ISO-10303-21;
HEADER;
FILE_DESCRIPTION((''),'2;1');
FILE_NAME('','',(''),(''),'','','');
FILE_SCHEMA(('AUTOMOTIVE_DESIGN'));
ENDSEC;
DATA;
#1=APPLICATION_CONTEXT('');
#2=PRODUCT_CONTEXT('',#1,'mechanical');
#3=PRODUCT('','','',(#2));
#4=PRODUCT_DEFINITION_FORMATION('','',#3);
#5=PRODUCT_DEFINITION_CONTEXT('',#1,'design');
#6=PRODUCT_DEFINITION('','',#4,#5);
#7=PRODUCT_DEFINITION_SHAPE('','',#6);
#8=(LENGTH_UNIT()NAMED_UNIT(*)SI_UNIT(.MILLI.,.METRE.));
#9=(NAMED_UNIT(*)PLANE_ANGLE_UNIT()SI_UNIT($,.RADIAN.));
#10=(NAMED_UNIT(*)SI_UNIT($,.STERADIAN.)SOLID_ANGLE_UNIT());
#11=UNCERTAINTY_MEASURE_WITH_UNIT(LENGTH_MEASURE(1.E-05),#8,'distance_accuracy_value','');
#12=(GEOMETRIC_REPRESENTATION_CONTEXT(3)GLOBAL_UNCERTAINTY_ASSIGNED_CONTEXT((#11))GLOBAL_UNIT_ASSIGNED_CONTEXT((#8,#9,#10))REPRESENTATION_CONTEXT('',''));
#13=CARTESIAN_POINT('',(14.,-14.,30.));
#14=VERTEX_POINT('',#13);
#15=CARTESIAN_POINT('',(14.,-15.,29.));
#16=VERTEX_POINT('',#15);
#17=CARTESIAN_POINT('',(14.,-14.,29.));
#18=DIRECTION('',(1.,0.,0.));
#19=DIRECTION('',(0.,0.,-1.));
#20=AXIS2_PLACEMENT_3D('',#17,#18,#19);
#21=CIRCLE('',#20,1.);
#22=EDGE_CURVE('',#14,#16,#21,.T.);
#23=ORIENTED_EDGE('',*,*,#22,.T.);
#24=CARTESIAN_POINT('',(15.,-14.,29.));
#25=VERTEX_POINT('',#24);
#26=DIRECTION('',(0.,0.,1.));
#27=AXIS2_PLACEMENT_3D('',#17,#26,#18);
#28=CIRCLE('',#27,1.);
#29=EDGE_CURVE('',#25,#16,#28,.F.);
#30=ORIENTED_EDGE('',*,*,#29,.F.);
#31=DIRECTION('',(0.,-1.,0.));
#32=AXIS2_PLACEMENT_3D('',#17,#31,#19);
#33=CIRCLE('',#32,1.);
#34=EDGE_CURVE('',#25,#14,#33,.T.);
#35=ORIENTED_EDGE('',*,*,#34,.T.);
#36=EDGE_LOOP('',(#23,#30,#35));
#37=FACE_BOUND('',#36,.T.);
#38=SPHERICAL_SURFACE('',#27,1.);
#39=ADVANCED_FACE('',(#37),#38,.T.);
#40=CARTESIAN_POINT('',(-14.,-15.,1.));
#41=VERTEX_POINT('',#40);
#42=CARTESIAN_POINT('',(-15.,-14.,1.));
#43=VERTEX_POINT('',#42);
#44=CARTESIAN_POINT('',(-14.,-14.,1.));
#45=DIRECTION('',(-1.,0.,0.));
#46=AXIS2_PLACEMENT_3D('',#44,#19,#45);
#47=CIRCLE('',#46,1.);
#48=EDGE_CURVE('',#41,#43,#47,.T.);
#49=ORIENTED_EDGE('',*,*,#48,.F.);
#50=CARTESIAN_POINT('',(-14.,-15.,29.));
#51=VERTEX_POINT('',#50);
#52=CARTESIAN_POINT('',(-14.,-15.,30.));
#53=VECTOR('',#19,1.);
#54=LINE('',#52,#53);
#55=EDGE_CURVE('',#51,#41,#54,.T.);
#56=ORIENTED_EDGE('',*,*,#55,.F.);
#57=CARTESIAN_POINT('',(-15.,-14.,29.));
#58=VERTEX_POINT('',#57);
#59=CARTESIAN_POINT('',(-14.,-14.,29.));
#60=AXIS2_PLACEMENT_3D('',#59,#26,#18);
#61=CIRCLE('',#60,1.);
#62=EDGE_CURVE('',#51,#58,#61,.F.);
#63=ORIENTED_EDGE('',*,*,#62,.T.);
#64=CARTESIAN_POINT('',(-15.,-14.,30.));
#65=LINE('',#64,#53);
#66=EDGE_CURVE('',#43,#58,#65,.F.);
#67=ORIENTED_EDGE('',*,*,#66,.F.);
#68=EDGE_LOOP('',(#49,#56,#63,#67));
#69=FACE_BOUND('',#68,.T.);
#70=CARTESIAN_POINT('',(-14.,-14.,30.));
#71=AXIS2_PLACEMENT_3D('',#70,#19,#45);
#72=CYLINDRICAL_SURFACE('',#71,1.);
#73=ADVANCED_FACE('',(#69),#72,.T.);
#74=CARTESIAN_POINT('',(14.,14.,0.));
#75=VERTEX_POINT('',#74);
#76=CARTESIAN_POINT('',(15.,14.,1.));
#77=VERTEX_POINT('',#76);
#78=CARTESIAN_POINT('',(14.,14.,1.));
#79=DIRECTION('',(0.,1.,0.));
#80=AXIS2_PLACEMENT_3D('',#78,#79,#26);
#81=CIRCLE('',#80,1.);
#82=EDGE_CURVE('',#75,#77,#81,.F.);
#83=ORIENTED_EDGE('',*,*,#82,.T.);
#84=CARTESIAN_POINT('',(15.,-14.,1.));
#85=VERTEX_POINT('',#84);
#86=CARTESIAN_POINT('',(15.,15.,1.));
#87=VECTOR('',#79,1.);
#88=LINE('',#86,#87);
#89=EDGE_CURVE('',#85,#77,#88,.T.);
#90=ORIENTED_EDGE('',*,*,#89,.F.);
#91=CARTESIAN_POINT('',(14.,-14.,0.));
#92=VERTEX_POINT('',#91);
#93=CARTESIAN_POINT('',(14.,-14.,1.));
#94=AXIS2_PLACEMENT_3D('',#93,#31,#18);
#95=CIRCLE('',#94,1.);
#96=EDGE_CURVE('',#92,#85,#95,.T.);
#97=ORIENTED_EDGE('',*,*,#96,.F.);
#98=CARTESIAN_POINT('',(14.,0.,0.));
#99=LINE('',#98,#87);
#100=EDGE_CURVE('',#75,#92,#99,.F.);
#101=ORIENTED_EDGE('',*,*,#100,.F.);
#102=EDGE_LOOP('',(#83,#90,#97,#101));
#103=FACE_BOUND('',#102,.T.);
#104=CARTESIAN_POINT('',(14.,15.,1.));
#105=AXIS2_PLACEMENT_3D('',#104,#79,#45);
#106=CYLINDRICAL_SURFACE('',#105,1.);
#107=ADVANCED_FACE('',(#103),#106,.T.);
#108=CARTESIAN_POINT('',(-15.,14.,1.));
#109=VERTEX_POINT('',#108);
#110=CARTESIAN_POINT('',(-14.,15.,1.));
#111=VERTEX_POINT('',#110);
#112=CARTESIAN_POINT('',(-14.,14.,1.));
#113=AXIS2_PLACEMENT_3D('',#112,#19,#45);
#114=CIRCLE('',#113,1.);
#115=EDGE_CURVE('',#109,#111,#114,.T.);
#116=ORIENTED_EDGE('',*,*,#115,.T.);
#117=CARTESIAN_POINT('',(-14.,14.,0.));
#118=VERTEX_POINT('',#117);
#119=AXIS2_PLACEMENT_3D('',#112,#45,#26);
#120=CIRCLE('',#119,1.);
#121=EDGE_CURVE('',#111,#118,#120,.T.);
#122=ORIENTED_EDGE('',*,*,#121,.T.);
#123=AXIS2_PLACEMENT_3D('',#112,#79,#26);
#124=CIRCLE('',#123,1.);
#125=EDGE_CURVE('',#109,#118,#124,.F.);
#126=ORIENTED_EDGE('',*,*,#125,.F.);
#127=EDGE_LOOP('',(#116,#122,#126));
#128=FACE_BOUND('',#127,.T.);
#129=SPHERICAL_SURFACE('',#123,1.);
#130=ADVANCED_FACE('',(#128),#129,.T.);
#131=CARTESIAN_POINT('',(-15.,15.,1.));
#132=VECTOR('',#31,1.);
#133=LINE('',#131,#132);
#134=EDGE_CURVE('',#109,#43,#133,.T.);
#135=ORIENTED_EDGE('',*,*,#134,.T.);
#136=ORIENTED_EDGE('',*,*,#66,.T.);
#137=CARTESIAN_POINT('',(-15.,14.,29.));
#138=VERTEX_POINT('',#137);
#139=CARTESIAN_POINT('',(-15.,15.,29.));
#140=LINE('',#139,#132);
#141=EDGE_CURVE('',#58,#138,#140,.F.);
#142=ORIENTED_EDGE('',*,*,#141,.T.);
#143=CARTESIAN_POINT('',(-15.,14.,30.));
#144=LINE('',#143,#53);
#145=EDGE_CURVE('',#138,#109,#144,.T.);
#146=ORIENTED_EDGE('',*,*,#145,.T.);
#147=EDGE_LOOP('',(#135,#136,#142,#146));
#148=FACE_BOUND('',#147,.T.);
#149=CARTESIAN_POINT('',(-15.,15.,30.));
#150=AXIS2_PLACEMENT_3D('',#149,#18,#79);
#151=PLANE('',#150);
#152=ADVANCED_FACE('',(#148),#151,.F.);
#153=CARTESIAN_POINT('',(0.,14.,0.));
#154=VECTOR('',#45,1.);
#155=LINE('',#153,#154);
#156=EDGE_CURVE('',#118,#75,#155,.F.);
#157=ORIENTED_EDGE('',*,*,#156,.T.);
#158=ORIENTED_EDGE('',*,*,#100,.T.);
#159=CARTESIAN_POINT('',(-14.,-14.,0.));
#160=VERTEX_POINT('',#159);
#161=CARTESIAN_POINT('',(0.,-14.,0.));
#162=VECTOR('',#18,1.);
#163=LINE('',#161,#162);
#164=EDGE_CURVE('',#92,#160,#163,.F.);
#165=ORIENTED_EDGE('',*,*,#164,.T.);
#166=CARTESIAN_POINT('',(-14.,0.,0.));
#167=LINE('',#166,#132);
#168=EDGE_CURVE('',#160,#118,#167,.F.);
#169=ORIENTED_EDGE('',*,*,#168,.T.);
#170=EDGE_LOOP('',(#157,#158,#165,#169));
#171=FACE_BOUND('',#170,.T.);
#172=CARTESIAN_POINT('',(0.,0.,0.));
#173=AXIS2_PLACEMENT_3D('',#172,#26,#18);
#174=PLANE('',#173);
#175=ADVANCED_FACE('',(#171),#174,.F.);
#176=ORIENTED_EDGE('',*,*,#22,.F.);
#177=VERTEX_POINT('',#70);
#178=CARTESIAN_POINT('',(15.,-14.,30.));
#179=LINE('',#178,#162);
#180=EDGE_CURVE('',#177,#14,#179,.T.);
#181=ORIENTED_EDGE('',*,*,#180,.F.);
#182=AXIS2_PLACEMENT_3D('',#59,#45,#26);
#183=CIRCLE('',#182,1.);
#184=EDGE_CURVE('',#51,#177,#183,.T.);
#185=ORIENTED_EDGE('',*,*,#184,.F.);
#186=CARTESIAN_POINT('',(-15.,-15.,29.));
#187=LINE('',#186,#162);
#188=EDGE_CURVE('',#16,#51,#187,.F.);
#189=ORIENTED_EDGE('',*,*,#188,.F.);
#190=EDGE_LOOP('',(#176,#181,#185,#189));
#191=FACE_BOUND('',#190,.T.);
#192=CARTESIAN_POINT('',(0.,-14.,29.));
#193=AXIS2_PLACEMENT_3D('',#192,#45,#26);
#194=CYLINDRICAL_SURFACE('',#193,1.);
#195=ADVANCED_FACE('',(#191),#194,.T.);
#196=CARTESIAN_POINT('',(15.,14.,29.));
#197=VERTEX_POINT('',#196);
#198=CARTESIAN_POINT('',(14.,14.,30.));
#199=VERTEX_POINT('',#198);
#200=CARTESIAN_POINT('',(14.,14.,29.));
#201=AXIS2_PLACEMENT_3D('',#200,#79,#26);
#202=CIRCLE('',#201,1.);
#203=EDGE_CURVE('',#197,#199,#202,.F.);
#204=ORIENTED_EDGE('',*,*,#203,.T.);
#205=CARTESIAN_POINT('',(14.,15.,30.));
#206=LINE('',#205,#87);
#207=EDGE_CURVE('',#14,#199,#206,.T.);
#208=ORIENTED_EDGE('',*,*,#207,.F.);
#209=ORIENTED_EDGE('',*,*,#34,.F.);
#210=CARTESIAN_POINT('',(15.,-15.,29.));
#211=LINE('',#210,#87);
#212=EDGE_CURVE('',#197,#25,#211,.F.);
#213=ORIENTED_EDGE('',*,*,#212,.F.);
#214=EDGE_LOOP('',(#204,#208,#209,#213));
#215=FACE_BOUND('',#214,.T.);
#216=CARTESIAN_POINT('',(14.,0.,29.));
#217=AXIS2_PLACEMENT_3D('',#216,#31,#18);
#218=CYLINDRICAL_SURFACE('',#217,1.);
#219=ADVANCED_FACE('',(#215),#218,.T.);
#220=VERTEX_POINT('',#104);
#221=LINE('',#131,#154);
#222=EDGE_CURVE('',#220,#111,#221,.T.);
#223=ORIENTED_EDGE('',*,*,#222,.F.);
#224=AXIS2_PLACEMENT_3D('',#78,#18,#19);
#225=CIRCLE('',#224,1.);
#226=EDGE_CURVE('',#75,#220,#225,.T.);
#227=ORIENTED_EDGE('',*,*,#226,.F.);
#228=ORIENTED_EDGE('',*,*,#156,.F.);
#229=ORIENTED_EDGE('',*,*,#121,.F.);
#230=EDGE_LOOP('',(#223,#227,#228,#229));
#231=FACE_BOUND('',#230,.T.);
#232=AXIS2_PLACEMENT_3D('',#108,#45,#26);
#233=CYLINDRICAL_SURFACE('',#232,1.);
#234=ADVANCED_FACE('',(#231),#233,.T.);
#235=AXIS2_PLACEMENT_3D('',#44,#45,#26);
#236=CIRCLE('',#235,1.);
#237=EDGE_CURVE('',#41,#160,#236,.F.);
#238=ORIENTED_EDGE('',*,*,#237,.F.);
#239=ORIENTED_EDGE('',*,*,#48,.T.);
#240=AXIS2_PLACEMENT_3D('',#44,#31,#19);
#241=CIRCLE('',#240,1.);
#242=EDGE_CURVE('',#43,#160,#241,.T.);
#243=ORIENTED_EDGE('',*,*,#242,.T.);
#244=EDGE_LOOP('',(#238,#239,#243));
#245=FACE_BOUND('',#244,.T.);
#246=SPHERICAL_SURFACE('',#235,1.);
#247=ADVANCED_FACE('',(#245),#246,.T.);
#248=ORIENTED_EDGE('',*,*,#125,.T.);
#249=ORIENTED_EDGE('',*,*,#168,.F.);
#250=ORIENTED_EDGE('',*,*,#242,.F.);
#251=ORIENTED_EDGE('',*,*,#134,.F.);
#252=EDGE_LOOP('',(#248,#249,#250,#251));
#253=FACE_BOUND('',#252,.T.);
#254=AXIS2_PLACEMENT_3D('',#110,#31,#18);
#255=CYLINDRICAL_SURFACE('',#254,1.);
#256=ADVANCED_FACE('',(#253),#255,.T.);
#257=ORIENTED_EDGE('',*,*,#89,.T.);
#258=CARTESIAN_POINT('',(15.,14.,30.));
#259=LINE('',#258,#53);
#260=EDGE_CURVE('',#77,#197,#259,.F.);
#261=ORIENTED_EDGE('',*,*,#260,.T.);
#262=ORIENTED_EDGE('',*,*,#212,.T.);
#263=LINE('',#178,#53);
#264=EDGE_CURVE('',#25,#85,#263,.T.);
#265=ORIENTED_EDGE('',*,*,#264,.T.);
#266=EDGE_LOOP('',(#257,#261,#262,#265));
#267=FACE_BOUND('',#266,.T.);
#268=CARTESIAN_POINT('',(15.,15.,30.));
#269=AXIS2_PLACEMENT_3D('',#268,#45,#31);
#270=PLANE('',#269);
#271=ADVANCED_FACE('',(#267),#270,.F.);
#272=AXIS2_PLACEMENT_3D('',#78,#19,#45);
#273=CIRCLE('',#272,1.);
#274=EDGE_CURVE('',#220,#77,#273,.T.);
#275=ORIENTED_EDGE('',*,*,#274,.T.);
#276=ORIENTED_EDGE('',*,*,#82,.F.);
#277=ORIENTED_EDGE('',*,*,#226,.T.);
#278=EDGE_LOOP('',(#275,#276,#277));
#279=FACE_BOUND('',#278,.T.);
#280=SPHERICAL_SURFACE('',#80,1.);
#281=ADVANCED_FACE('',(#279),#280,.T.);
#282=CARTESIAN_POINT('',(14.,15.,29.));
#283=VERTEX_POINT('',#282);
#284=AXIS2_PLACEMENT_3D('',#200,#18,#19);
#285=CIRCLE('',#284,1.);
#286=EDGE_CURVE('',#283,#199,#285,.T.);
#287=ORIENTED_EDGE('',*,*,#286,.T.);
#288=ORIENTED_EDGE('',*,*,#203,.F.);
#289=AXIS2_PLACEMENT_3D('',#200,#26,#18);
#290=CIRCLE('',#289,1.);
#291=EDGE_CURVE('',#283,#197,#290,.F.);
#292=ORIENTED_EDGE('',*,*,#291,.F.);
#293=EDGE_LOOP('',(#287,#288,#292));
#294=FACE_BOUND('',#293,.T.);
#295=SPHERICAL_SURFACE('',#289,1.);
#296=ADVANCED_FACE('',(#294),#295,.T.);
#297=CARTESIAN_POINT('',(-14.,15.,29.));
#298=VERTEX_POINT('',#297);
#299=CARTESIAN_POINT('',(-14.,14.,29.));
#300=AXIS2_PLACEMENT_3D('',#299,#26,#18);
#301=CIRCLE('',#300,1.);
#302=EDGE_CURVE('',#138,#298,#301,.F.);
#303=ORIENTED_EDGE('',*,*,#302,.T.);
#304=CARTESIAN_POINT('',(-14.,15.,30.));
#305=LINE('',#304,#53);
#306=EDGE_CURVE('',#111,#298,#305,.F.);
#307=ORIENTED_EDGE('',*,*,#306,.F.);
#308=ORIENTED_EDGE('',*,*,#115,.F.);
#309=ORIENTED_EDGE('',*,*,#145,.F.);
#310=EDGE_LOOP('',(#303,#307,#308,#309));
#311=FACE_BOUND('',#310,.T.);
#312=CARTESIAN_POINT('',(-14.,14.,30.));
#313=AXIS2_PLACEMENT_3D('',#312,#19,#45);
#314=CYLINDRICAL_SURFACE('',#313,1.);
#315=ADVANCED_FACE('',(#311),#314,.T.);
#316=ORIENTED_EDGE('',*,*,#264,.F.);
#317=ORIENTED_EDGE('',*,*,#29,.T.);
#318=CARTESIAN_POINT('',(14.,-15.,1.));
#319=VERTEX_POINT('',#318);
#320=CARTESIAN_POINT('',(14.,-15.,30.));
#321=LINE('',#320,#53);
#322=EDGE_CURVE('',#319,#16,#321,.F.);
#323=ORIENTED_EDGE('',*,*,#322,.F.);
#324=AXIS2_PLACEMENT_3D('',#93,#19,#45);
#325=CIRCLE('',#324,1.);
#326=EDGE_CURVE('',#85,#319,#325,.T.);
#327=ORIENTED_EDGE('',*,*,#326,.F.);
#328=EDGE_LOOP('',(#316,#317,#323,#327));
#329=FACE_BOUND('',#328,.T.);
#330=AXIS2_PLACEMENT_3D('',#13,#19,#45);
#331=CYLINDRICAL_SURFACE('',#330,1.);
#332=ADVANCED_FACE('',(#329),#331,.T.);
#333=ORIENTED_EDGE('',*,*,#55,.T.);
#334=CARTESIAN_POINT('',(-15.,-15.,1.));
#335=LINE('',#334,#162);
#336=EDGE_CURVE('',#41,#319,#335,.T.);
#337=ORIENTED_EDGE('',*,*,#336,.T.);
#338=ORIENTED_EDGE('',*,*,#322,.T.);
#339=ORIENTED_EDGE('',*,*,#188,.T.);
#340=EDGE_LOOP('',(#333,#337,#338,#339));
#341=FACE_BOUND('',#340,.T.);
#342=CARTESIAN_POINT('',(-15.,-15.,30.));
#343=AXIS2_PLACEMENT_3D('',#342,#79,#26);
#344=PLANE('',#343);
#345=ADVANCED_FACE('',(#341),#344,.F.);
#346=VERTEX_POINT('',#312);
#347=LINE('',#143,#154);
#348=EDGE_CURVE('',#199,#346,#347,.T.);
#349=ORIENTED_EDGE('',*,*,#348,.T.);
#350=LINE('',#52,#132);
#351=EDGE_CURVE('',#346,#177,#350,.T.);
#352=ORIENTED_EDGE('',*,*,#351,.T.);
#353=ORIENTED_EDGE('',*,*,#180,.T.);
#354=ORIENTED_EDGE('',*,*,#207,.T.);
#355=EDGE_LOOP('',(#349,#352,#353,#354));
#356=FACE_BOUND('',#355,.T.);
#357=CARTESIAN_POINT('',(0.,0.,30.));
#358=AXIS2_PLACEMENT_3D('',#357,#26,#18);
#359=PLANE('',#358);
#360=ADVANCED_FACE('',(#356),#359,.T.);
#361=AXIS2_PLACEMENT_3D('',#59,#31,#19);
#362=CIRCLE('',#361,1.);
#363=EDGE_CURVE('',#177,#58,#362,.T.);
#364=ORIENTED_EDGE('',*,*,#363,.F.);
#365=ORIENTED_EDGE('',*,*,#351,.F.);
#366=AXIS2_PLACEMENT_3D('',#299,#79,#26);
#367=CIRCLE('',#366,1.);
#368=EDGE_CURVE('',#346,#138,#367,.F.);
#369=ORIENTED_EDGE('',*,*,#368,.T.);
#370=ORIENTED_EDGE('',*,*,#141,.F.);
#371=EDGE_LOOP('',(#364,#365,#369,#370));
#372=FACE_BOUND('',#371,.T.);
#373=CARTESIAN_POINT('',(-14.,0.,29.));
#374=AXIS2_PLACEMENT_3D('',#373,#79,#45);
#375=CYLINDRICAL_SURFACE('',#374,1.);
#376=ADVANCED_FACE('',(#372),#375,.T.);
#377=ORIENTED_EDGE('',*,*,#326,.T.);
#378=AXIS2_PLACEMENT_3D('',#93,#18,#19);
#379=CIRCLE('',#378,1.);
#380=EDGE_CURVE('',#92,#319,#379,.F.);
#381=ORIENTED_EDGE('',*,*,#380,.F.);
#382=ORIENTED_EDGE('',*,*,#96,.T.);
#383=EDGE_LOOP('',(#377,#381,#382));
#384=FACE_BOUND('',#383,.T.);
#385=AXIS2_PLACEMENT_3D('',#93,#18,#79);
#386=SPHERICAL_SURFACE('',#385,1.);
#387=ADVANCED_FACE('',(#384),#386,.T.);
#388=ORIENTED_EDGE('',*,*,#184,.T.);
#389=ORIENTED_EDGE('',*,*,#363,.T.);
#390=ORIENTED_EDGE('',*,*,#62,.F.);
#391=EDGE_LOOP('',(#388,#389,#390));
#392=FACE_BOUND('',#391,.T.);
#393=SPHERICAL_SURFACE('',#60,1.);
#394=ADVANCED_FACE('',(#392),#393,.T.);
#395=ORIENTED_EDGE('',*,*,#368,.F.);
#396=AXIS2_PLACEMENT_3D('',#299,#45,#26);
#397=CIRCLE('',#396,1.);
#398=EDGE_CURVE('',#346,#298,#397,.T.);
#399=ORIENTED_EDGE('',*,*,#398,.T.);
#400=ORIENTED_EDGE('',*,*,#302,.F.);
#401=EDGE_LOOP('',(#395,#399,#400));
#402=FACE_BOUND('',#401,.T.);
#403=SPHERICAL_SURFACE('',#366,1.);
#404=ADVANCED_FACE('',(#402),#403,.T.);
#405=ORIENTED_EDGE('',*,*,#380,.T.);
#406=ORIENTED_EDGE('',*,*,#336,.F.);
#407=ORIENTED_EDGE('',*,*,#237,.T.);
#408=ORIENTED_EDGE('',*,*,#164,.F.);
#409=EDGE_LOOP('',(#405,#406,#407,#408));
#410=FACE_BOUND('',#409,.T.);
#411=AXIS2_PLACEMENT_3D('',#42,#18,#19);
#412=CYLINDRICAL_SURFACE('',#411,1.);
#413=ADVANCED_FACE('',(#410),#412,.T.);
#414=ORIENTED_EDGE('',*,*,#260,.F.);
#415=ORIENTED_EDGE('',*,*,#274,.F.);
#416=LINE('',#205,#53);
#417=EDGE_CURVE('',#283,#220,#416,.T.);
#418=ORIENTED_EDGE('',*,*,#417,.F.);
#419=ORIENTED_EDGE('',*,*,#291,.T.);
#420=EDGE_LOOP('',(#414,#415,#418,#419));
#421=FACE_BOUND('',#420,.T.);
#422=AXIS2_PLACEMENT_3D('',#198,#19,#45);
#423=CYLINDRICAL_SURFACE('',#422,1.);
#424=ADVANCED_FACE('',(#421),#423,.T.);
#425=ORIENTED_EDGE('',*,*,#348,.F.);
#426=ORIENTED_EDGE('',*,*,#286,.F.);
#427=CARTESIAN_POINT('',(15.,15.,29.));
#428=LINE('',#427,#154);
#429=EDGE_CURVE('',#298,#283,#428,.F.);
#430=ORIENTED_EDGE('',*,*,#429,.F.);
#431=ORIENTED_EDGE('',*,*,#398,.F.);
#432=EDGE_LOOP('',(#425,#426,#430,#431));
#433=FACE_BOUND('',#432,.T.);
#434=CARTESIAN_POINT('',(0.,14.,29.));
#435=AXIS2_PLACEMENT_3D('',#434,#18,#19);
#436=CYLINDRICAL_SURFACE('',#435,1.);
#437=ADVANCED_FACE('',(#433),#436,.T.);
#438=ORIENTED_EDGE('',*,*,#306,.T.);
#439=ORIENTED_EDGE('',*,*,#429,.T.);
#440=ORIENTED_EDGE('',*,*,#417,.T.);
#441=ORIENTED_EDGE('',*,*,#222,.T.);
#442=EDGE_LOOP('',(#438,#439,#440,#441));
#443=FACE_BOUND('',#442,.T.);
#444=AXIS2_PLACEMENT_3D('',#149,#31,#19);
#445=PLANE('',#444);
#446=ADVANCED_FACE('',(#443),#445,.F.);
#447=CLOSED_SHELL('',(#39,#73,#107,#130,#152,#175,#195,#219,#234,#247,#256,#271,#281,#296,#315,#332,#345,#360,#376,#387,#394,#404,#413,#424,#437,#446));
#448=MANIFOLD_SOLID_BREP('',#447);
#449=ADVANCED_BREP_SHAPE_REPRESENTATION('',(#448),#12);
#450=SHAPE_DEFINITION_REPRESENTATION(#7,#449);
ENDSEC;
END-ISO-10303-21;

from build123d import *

# Parameters (mm, degrees)
ESQUISSE1_W        = 30
ESQUISSE1_H        = 30
BOSS_EXTRU_1_DEPTH = 30
CONG_1_R           = 1


with BuildPart() as part:
    # Esquisse1 → Boss.-Extru.1 (new body)
    with BuildSketch(Plane.XY):
        Rectangle(ESQUISSE1_W, ESQUISSE1_H)
    extrude(amount=BOSS_EXTRU_1_DEPTH)

    # Congé1
    cong_1_edges = [part.edges().sort_by_distance(p)[0] for p in [
        (-15, 0, 30),
        (0, -15, 30),
        (15, 0, 30),
        (0, -15, 0),
        (-15, 0, 0),
        (0, 15, 0),
        (15, 0, 0),
        (15, -15, 15),
        (-15, -15, 15),
        (-15, 15, 15),
        (15, 15, 15),
        (0, 15, 30),
    ]]
    fillet(cong_1_edges, radius=CONG_1_R)


solid = part.part
